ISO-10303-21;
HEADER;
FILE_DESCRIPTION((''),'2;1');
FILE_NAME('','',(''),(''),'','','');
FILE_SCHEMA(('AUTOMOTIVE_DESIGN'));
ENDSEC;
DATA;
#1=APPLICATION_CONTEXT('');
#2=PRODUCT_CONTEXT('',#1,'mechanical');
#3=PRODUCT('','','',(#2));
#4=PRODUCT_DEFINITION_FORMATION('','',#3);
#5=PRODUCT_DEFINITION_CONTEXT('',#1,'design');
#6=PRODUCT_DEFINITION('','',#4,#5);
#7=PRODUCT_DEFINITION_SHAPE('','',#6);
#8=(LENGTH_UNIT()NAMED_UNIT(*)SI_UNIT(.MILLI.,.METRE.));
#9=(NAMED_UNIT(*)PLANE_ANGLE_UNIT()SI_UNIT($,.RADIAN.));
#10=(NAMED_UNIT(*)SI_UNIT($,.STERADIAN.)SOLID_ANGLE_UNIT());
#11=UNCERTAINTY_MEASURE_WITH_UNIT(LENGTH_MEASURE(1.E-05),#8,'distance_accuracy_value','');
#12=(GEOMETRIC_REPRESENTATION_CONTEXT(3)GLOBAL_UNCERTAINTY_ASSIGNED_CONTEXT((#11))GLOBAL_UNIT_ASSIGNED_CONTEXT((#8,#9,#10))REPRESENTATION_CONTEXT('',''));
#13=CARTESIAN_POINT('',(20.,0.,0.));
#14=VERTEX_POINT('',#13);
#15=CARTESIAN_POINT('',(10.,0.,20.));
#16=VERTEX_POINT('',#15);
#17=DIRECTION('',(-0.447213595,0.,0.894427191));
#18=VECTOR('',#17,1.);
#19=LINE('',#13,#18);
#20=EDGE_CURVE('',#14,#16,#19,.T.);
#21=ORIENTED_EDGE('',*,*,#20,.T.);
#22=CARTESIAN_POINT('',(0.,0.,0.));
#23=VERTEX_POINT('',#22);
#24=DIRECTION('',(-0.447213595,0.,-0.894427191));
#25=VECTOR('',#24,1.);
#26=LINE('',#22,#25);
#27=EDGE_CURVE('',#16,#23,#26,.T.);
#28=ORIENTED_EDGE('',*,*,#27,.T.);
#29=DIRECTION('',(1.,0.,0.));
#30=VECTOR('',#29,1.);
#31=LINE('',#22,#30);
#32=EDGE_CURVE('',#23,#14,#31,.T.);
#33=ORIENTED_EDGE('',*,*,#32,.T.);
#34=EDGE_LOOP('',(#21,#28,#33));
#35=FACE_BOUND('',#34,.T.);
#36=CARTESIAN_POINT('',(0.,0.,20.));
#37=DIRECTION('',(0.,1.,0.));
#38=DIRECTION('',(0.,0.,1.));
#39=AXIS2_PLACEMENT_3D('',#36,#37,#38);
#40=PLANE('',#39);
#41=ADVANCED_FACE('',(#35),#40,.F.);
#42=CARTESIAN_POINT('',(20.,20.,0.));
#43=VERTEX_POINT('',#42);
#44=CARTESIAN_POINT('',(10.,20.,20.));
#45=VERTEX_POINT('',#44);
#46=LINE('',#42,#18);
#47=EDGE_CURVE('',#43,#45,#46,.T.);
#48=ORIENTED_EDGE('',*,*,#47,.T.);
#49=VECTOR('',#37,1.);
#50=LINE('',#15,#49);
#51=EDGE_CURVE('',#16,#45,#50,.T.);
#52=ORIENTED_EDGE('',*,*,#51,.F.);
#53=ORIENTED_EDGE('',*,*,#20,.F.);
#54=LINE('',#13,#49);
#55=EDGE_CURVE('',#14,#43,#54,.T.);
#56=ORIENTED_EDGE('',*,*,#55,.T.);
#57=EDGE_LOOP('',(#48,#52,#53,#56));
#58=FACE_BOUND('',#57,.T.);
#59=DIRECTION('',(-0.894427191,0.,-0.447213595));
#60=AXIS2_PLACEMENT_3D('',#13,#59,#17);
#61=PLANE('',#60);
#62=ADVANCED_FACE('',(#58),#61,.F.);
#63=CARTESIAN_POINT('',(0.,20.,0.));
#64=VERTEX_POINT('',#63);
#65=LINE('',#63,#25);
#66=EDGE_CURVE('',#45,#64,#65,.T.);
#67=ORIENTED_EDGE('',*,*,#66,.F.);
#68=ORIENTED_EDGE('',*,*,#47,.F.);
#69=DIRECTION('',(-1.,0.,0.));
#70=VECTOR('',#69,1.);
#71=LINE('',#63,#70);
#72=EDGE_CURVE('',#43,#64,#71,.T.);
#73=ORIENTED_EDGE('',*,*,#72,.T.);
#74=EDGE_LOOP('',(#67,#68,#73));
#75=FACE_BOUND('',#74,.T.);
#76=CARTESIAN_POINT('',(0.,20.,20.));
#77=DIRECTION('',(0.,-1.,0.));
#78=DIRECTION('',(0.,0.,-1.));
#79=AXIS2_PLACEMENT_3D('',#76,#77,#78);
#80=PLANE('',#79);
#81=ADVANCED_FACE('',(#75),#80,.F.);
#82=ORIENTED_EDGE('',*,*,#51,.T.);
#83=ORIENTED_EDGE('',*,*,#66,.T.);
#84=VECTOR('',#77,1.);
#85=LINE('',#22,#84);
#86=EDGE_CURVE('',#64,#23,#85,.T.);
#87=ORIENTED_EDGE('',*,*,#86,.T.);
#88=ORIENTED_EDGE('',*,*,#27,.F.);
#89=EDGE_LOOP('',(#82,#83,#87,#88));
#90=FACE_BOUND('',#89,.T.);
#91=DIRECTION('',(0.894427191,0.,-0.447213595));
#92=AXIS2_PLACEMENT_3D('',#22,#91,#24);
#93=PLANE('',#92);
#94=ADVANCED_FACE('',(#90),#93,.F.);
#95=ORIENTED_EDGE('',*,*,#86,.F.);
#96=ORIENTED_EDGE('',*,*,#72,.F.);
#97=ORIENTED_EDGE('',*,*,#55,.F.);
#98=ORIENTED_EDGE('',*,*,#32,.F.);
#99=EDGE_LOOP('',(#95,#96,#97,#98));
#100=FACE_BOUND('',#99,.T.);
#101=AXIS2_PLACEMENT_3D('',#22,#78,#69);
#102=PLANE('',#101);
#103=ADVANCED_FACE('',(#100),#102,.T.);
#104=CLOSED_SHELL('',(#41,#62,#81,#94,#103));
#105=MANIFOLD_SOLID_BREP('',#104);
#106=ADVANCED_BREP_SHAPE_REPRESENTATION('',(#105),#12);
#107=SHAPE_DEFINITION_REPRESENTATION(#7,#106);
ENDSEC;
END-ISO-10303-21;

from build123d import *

# Parameters (mm, degrees)
SKETCH1_W           = 20
SKETCH1_H           = 20
BOSS_EXTRUDE1_DEPTH = 20
CUT_EXTRUDE1_DEPTH  = 20
CUT_EXTRUDE2_DEPTH  = 20


with BuildPart() as part:
    # Sketch1 → Boss-Extrude1 (new body)
    with BuildSketch(Plane.XY):
        with Locations((10, 10)):
            Rectangle(SKETCH1_W, SKETCH1_H)
    extrude(amount=BOSS_EXTRUDE1_DEPTH)

    # Sketch2 → Cut-Extrude1 (cut)
    with BuildSketch(Plane(origin=(0, 20, 0), x_dir=(1, 0, 0), z_dir=(0, 1, 0))):
        Polygon((0, 0), (10, -20), (0, -20), align=None)
    extrude(amount=-CUT_EXTRUDE1_DEPTH, mode=Mode.SUBTRACT)

    # Sketch3 → Cut-Extrude2 (cut)
    with BuildSketch(Plane(origin=(0, 20, 0), x_dir=(1, 0, 0), z_dir=(0, 1, 0))):
        Polygon((20, 0), (10, -20), (20, -20), align=None)
    extrude(amount=-CUT_EXTRUDE2_DEPTH, mode=Mode.SUBTRACT)


solid = part.part
